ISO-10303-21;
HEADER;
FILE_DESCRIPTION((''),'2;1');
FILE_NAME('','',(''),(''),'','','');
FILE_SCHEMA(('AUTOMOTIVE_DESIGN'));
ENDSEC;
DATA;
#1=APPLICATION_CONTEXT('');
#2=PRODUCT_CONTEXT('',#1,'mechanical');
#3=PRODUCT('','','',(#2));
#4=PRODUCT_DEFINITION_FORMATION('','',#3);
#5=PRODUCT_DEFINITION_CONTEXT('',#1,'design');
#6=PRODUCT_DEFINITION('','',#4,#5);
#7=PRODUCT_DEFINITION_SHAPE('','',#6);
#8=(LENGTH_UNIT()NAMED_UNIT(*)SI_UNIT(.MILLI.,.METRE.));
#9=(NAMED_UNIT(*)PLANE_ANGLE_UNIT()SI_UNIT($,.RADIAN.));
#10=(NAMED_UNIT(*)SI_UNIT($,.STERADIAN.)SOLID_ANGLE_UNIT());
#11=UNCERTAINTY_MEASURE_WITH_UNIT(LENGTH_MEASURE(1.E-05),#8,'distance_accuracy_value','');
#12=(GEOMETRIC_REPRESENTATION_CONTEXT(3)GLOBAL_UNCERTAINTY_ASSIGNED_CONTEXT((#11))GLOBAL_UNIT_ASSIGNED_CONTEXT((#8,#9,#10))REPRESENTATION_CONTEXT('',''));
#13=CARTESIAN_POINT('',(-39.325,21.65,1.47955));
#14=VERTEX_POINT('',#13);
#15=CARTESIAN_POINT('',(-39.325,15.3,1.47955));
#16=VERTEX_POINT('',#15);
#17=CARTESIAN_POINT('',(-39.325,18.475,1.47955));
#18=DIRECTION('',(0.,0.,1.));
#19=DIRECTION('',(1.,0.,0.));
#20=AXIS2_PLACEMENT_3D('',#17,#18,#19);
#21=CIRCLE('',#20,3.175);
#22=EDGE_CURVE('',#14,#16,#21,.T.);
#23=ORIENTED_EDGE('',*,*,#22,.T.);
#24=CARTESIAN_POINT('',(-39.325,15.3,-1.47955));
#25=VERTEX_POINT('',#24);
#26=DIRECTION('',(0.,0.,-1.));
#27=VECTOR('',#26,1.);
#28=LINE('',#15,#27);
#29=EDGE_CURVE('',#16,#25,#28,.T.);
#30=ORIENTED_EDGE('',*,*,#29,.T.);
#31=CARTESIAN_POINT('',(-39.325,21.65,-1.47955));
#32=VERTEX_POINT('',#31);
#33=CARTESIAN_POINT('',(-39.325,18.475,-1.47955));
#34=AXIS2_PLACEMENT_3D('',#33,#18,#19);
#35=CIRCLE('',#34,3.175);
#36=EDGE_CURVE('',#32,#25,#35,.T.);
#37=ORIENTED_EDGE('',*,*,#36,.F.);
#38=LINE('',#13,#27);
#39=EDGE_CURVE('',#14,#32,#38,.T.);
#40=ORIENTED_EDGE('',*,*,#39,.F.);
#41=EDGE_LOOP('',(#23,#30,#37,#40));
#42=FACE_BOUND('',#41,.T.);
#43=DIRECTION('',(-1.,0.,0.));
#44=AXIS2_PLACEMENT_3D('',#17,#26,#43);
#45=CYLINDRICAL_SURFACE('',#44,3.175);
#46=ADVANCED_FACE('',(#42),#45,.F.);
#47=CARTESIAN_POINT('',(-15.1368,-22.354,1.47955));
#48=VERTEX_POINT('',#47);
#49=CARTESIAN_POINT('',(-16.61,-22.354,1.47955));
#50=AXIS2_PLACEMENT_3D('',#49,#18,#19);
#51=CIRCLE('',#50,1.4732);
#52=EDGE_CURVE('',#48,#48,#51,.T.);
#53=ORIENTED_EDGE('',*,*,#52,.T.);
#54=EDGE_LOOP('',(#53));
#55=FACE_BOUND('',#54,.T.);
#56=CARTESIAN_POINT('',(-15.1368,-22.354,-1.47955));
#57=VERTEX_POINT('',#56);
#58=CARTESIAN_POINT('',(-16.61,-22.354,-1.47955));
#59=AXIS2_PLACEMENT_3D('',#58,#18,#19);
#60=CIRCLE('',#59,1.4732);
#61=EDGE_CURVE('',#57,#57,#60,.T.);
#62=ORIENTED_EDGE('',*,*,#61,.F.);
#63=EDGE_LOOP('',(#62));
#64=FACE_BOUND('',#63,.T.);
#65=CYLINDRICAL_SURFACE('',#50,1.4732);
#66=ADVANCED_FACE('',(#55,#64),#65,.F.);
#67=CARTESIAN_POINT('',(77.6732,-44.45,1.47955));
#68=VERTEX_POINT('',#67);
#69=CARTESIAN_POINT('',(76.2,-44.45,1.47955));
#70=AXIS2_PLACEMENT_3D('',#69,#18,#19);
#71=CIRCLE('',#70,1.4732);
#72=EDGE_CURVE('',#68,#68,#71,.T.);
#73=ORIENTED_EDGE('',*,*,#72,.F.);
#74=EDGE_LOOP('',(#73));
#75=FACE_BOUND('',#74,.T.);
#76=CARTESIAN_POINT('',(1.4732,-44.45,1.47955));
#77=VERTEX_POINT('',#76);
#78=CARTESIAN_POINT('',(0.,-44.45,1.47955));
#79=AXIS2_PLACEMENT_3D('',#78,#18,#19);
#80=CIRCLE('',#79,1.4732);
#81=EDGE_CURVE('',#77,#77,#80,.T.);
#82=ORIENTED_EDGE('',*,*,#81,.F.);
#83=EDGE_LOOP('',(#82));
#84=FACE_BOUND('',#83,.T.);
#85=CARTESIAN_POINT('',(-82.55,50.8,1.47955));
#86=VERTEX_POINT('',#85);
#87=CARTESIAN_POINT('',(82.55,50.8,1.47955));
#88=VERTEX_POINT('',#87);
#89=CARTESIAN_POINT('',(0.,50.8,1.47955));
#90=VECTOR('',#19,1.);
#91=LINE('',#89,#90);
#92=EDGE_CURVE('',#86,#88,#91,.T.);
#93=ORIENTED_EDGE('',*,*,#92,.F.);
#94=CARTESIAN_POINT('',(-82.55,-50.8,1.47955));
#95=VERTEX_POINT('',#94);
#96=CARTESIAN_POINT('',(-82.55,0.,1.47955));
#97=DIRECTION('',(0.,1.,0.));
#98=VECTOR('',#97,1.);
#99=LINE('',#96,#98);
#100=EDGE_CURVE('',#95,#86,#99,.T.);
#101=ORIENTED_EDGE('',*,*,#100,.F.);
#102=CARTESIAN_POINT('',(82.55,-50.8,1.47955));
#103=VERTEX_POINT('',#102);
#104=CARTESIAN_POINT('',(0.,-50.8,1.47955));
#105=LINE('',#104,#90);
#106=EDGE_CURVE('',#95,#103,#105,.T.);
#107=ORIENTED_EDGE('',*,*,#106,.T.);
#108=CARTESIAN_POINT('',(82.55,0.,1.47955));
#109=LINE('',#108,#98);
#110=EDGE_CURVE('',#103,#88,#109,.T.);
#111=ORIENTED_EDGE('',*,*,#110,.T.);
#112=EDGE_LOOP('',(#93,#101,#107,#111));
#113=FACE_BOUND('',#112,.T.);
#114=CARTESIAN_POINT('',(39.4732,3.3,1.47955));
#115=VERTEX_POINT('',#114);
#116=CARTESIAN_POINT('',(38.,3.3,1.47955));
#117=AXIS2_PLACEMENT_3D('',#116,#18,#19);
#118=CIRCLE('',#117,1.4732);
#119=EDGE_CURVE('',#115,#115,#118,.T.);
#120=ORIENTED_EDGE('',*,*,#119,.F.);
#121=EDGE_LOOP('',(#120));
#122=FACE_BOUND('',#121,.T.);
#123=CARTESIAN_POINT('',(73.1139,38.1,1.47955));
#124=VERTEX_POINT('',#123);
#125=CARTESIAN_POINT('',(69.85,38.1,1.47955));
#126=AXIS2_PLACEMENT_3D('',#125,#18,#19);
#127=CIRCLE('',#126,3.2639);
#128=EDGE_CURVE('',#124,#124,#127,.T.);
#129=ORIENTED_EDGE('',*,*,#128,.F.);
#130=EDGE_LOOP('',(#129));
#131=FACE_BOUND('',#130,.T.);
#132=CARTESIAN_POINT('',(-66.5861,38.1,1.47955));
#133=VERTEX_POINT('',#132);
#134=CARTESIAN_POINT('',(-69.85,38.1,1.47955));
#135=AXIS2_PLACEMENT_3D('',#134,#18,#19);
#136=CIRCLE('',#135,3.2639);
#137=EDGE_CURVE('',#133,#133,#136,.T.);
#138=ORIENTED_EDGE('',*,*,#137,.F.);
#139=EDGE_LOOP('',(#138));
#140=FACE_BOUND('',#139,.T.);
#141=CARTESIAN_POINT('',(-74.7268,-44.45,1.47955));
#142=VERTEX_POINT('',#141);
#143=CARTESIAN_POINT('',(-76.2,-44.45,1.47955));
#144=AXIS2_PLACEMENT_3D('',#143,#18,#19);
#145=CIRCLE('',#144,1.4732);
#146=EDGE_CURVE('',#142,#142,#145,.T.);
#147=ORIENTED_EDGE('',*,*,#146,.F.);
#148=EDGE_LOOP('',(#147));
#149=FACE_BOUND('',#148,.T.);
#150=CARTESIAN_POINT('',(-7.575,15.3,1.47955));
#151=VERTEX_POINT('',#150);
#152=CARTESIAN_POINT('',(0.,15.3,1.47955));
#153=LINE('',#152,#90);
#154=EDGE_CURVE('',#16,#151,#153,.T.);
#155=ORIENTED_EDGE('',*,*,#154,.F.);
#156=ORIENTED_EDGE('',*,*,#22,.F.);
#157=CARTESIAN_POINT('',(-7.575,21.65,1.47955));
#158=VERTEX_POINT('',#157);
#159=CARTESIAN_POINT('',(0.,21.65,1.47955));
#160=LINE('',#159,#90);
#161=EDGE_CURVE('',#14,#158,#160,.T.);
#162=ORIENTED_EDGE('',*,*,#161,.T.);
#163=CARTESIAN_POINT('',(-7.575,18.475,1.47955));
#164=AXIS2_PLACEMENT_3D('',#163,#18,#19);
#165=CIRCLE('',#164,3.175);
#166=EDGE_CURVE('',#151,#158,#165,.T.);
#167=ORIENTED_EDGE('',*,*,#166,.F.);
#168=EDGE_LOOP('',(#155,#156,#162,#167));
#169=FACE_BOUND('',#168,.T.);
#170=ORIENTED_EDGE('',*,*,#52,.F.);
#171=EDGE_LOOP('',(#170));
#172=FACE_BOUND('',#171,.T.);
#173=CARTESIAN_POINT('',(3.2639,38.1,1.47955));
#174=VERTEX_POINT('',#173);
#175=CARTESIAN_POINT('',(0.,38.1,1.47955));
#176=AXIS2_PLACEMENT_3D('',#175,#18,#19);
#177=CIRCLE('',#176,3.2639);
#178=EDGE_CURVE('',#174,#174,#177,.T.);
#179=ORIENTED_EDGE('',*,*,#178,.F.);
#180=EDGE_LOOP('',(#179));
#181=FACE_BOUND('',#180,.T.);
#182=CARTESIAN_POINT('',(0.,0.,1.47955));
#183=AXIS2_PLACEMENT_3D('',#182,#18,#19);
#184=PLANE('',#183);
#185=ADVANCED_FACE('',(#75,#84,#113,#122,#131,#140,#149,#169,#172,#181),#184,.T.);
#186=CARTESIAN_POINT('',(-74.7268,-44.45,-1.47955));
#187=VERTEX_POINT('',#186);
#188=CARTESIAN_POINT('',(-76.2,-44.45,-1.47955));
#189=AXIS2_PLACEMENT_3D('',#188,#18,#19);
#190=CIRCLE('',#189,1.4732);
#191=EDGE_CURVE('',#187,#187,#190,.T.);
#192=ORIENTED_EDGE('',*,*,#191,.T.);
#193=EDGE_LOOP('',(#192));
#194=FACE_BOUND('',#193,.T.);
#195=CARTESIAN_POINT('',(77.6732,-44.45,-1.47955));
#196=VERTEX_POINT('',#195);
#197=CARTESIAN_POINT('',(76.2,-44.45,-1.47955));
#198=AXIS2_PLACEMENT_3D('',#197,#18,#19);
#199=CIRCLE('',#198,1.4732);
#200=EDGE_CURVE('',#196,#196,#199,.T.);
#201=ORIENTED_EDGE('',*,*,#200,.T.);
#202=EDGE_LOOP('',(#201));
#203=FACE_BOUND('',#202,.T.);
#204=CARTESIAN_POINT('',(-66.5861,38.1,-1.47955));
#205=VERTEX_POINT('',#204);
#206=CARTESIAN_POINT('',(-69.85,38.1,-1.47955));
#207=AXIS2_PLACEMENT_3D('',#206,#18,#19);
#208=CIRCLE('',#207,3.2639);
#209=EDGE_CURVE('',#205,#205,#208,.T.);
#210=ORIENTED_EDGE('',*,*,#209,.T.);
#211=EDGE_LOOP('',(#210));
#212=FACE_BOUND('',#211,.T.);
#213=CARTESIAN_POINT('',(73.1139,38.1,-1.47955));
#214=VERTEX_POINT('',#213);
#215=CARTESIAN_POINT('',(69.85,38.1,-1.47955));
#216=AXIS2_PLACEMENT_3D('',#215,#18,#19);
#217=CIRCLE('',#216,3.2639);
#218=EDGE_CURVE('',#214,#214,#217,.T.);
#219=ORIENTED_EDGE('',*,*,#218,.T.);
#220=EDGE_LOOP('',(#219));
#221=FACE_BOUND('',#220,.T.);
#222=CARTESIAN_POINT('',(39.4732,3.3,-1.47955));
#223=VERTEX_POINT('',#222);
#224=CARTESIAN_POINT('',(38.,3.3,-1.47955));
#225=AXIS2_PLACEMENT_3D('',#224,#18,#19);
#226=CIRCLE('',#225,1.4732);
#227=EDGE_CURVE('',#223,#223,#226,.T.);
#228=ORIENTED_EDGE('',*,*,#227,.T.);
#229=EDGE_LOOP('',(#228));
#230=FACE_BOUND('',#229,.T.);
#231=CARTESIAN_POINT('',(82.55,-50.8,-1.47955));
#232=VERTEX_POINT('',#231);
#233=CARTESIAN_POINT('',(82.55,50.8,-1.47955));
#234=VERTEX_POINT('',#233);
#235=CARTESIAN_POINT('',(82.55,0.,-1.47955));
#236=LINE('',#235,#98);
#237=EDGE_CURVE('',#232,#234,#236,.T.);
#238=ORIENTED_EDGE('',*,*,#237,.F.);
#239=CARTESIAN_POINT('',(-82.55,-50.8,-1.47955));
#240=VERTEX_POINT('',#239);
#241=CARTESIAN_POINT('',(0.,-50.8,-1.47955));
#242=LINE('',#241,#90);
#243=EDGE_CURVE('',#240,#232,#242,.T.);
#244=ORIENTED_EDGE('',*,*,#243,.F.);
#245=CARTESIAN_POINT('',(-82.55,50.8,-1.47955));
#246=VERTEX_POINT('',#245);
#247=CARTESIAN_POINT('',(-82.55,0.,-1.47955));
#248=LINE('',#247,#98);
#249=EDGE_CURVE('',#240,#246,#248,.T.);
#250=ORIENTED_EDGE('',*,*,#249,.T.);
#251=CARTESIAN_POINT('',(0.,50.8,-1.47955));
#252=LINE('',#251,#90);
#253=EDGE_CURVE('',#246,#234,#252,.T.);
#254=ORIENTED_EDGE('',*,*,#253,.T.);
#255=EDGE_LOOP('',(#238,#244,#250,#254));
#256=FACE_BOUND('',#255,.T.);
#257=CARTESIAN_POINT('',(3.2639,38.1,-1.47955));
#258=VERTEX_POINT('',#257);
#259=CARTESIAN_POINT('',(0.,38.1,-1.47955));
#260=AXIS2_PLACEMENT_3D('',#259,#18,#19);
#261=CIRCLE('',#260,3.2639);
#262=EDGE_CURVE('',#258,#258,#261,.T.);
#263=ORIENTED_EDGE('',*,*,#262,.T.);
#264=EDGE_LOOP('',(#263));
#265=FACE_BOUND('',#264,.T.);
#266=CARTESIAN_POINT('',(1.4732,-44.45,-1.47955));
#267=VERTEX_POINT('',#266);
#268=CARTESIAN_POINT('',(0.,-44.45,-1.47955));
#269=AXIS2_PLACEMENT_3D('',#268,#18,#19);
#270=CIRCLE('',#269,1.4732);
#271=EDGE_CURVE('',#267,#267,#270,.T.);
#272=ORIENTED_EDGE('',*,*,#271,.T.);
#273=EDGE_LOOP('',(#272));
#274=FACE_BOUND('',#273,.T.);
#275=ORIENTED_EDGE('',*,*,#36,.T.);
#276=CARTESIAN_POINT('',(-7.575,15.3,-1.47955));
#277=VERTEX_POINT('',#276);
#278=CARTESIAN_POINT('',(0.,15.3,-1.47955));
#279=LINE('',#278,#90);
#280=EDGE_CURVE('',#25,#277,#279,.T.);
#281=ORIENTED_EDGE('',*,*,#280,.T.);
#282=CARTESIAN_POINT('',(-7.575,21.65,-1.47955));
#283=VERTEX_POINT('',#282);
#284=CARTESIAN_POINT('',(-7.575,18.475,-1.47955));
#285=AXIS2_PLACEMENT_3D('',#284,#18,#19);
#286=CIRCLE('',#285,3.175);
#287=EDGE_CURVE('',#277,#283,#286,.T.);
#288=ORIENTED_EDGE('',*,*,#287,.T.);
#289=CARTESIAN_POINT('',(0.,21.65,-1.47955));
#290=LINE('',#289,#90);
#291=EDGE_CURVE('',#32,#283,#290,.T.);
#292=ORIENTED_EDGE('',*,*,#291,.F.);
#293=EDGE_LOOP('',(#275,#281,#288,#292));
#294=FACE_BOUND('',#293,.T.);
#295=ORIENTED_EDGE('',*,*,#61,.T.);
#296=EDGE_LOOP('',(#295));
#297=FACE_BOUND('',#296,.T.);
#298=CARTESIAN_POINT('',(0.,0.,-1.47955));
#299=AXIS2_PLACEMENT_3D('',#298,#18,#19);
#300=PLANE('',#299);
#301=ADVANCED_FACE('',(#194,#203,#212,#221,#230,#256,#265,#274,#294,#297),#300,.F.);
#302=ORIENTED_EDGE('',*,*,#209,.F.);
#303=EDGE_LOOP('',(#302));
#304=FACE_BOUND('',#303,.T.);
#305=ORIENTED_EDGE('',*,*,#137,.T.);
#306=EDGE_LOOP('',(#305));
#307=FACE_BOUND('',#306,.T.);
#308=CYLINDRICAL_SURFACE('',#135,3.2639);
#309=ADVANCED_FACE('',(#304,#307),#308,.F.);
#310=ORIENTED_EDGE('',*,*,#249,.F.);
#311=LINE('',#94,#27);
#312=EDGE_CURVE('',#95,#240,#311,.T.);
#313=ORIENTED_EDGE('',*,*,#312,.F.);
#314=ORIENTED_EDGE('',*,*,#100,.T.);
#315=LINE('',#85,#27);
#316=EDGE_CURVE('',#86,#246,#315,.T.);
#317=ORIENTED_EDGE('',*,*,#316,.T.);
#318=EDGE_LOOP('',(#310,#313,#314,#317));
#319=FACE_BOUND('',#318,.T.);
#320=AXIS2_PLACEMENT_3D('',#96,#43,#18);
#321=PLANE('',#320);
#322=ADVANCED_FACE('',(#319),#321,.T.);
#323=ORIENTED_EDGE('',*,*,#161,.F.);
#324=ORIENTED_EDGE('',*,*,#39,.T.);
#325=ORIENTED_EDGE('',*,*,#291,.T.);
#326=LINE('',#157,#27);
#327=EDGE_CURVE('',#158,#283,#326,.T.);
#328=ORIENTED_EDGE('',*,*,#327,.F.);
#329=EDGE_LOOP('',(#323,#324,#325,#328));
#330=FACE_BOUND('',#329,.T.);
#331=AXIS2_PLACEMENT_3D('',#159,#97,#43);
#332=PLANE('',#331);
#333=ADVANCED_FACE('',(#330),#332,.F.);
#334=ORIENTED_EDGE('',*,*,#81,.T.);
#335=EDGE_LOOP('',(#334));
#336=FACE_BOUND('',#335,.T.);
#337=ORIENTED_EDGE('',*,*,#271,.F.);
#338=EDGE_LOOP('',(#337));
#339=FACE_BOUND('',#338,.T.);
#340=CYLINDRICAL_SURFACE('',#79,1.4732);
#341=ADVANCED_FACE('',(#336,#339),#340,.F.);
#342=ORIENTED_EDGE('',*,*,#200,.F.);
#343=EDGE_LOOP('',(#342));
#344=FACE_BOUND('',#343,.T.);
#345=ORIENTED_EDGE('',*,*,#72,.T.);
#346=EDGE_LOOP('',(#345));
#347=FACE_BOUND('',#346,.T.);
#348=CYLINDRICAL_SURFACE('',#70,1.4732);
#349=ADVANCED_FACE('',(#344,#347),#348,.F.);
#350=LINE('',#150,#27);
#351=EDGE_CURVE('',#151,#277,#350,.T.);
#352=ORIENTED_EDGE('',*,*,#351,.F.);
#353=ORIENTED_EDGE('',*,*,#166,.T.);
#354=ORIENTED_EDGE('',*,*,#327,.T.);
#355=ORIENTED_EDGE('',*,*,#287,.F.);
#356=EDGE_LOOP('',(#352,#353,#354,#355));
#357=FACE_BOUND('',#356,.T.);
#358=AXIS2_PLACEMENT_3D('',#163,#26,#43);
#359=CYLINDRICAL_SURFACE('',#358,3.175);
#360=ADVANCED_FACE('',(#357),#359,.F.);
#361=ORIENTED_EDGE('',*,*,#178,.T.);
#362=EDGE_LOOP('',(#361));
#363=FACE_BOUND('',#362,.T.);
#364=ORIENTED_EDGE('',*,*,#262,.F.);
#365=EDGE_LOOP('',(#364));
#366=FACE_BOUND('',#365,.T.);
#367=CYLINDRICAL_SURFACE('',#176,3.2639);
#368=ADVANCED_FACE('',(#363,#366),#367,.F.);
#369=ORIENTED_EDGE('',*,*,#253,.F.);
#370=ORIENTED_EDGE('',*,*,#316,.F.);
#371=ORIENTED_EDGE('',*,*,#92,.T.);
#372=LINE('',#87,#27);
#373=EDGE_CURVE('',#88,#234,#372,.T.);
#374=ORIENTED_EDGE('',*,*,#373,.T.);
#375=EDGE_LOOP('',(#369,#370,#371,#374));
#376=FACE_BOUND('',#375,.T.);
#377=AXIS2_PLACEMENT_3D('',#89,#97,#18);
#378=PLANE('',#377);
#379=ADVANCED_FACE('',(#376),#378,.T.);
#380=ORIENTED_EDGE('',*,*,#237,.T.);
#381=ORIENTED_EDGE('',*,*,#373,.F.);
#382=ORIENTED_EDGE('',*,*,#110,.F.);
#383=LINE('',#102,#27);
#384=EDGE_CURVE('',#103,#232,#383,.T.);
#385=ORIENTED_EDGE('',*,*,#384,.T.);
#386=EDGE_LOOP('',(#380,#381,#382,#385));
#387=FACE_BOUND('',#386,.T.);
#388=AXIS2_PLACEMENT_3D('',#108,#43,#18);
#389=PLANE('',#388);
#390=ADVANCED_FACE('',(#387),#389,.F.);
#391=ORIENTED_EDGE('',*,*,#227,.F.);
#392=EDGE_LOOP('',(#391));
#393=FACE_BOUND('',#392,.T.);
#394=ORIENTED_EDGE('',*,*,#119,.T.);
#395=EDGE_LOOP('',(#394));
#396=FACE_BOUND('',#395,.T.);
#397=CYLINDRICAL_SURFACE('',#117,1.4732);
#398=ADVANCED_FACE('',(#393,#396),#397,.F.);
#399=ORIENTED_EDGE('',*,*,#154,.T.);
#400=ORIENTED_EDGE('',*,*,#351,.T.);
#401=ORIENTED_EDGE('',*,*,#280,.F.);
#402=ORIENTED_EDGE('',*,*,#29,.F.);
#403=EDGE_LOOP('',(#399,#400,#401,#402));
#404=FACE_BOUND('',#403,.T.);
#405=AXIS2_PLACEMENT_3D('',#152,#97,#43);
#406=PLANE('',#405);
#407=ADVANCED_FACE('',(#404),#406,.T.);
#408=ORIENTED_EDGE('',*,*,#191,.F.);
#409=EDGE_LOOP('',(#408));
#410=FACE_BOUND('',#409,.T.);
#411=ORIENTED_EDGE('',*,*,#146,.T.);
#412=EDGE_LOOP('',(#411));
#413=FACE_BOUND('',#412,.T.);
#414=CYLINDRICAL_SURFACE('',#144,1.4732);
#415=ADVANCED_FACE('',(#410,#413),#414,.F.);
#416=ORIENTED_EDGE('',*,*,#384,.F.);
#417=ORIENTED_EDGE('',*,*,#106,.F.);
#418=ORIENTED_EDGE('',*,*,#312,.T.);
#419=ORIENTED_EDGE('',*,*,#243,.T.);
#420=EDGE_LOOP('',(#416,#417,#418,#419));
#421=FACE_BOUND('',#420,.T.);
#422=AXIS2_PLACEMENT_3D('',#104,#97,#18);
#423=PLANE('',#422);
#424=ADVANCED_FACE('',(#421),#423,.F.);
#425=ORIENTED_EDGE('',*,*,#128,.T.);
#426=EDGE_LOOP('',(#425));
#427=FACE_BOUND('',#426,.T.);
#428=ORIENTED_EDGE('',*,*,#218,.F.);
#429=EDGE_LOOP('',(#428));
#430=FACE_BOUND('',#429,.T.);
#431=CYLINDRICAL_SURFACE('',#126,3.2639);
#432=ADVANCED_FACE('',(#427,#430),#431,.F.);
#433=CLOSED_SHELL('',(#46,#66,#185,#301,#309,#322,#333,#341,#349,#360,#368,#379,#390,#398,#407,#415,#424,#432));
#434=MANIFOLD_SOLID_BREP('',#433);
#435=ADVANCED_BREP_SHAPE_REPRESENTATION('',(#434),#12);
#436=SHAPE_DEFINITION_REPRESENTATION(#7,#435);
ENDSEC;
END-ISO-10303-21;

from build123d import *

# Parameters (mm, degrees)
SKETCH1_W               = 165.1
SKETCH1_H               = 101.6
BOSS_EXTRUDE1_DEPTH     = 1.47955
F_1_4_CLEARANCE_HOLE1_D = 6.5278
F_4_CLEARANCE_HOLE1_D   = 2.9464


with BuildPart() as part:
    # Sketch1 → Boss-Extrude1 (new body, symmetric)
    with BuildSketch(Plane.XY):
        Rectangle(SKETCH1_W, SKETCH1_H)
        with BuildLine():
            ThreePointArc((-7.575, 15.3), (-4.4, 18.475), (-7.575, 21.65))
            Line((-7.575, 21.65), (-39.325, 21.65))
            ThreePointArc((-39.325, 21.65), (-42.5, 18.475), (-39.325, 15.3))
            Line((-39.325, 15.3), (-7.575, 15.3))
        make_face(mode=Mode.SUBTRACT)
    extrude(amount=BOSS_EXTRUDE1_DEPTH, both=True)

    # 1/4 Clearance Hole1 (through all)
    with Locations(Plane(origin=(-54.280585756, -28.309576901, 1.47955), x_dir=(1, 0, 0), z_dir=(0, 0, 1))):
        with Locations((-15.569414244, 66.409576901), (124.130585756, 66.409576901), (54.280585756, 66.409576901)):
            Hole(F_1_4_CLEARANCE_HOLE1_D / 2)

    # #4 Clearance Hole1 (through all)
    with Locations(Plane(origin=(-67.931660522, 13.630291587, 1.47955), x_dir=(1, 0, 0), z_dir=(0, 0, 1))):
        with Locations((105.931660522, -10.330291587), (51.321660522, -35.984291587), (-8.268339478, -58.080291587), (144.131660522, -58.080291587), (67.931660522, -58.080291587)):
            Hole(F_4_CLEARANCE_HOLE1_D / 2)


solid = part.part
